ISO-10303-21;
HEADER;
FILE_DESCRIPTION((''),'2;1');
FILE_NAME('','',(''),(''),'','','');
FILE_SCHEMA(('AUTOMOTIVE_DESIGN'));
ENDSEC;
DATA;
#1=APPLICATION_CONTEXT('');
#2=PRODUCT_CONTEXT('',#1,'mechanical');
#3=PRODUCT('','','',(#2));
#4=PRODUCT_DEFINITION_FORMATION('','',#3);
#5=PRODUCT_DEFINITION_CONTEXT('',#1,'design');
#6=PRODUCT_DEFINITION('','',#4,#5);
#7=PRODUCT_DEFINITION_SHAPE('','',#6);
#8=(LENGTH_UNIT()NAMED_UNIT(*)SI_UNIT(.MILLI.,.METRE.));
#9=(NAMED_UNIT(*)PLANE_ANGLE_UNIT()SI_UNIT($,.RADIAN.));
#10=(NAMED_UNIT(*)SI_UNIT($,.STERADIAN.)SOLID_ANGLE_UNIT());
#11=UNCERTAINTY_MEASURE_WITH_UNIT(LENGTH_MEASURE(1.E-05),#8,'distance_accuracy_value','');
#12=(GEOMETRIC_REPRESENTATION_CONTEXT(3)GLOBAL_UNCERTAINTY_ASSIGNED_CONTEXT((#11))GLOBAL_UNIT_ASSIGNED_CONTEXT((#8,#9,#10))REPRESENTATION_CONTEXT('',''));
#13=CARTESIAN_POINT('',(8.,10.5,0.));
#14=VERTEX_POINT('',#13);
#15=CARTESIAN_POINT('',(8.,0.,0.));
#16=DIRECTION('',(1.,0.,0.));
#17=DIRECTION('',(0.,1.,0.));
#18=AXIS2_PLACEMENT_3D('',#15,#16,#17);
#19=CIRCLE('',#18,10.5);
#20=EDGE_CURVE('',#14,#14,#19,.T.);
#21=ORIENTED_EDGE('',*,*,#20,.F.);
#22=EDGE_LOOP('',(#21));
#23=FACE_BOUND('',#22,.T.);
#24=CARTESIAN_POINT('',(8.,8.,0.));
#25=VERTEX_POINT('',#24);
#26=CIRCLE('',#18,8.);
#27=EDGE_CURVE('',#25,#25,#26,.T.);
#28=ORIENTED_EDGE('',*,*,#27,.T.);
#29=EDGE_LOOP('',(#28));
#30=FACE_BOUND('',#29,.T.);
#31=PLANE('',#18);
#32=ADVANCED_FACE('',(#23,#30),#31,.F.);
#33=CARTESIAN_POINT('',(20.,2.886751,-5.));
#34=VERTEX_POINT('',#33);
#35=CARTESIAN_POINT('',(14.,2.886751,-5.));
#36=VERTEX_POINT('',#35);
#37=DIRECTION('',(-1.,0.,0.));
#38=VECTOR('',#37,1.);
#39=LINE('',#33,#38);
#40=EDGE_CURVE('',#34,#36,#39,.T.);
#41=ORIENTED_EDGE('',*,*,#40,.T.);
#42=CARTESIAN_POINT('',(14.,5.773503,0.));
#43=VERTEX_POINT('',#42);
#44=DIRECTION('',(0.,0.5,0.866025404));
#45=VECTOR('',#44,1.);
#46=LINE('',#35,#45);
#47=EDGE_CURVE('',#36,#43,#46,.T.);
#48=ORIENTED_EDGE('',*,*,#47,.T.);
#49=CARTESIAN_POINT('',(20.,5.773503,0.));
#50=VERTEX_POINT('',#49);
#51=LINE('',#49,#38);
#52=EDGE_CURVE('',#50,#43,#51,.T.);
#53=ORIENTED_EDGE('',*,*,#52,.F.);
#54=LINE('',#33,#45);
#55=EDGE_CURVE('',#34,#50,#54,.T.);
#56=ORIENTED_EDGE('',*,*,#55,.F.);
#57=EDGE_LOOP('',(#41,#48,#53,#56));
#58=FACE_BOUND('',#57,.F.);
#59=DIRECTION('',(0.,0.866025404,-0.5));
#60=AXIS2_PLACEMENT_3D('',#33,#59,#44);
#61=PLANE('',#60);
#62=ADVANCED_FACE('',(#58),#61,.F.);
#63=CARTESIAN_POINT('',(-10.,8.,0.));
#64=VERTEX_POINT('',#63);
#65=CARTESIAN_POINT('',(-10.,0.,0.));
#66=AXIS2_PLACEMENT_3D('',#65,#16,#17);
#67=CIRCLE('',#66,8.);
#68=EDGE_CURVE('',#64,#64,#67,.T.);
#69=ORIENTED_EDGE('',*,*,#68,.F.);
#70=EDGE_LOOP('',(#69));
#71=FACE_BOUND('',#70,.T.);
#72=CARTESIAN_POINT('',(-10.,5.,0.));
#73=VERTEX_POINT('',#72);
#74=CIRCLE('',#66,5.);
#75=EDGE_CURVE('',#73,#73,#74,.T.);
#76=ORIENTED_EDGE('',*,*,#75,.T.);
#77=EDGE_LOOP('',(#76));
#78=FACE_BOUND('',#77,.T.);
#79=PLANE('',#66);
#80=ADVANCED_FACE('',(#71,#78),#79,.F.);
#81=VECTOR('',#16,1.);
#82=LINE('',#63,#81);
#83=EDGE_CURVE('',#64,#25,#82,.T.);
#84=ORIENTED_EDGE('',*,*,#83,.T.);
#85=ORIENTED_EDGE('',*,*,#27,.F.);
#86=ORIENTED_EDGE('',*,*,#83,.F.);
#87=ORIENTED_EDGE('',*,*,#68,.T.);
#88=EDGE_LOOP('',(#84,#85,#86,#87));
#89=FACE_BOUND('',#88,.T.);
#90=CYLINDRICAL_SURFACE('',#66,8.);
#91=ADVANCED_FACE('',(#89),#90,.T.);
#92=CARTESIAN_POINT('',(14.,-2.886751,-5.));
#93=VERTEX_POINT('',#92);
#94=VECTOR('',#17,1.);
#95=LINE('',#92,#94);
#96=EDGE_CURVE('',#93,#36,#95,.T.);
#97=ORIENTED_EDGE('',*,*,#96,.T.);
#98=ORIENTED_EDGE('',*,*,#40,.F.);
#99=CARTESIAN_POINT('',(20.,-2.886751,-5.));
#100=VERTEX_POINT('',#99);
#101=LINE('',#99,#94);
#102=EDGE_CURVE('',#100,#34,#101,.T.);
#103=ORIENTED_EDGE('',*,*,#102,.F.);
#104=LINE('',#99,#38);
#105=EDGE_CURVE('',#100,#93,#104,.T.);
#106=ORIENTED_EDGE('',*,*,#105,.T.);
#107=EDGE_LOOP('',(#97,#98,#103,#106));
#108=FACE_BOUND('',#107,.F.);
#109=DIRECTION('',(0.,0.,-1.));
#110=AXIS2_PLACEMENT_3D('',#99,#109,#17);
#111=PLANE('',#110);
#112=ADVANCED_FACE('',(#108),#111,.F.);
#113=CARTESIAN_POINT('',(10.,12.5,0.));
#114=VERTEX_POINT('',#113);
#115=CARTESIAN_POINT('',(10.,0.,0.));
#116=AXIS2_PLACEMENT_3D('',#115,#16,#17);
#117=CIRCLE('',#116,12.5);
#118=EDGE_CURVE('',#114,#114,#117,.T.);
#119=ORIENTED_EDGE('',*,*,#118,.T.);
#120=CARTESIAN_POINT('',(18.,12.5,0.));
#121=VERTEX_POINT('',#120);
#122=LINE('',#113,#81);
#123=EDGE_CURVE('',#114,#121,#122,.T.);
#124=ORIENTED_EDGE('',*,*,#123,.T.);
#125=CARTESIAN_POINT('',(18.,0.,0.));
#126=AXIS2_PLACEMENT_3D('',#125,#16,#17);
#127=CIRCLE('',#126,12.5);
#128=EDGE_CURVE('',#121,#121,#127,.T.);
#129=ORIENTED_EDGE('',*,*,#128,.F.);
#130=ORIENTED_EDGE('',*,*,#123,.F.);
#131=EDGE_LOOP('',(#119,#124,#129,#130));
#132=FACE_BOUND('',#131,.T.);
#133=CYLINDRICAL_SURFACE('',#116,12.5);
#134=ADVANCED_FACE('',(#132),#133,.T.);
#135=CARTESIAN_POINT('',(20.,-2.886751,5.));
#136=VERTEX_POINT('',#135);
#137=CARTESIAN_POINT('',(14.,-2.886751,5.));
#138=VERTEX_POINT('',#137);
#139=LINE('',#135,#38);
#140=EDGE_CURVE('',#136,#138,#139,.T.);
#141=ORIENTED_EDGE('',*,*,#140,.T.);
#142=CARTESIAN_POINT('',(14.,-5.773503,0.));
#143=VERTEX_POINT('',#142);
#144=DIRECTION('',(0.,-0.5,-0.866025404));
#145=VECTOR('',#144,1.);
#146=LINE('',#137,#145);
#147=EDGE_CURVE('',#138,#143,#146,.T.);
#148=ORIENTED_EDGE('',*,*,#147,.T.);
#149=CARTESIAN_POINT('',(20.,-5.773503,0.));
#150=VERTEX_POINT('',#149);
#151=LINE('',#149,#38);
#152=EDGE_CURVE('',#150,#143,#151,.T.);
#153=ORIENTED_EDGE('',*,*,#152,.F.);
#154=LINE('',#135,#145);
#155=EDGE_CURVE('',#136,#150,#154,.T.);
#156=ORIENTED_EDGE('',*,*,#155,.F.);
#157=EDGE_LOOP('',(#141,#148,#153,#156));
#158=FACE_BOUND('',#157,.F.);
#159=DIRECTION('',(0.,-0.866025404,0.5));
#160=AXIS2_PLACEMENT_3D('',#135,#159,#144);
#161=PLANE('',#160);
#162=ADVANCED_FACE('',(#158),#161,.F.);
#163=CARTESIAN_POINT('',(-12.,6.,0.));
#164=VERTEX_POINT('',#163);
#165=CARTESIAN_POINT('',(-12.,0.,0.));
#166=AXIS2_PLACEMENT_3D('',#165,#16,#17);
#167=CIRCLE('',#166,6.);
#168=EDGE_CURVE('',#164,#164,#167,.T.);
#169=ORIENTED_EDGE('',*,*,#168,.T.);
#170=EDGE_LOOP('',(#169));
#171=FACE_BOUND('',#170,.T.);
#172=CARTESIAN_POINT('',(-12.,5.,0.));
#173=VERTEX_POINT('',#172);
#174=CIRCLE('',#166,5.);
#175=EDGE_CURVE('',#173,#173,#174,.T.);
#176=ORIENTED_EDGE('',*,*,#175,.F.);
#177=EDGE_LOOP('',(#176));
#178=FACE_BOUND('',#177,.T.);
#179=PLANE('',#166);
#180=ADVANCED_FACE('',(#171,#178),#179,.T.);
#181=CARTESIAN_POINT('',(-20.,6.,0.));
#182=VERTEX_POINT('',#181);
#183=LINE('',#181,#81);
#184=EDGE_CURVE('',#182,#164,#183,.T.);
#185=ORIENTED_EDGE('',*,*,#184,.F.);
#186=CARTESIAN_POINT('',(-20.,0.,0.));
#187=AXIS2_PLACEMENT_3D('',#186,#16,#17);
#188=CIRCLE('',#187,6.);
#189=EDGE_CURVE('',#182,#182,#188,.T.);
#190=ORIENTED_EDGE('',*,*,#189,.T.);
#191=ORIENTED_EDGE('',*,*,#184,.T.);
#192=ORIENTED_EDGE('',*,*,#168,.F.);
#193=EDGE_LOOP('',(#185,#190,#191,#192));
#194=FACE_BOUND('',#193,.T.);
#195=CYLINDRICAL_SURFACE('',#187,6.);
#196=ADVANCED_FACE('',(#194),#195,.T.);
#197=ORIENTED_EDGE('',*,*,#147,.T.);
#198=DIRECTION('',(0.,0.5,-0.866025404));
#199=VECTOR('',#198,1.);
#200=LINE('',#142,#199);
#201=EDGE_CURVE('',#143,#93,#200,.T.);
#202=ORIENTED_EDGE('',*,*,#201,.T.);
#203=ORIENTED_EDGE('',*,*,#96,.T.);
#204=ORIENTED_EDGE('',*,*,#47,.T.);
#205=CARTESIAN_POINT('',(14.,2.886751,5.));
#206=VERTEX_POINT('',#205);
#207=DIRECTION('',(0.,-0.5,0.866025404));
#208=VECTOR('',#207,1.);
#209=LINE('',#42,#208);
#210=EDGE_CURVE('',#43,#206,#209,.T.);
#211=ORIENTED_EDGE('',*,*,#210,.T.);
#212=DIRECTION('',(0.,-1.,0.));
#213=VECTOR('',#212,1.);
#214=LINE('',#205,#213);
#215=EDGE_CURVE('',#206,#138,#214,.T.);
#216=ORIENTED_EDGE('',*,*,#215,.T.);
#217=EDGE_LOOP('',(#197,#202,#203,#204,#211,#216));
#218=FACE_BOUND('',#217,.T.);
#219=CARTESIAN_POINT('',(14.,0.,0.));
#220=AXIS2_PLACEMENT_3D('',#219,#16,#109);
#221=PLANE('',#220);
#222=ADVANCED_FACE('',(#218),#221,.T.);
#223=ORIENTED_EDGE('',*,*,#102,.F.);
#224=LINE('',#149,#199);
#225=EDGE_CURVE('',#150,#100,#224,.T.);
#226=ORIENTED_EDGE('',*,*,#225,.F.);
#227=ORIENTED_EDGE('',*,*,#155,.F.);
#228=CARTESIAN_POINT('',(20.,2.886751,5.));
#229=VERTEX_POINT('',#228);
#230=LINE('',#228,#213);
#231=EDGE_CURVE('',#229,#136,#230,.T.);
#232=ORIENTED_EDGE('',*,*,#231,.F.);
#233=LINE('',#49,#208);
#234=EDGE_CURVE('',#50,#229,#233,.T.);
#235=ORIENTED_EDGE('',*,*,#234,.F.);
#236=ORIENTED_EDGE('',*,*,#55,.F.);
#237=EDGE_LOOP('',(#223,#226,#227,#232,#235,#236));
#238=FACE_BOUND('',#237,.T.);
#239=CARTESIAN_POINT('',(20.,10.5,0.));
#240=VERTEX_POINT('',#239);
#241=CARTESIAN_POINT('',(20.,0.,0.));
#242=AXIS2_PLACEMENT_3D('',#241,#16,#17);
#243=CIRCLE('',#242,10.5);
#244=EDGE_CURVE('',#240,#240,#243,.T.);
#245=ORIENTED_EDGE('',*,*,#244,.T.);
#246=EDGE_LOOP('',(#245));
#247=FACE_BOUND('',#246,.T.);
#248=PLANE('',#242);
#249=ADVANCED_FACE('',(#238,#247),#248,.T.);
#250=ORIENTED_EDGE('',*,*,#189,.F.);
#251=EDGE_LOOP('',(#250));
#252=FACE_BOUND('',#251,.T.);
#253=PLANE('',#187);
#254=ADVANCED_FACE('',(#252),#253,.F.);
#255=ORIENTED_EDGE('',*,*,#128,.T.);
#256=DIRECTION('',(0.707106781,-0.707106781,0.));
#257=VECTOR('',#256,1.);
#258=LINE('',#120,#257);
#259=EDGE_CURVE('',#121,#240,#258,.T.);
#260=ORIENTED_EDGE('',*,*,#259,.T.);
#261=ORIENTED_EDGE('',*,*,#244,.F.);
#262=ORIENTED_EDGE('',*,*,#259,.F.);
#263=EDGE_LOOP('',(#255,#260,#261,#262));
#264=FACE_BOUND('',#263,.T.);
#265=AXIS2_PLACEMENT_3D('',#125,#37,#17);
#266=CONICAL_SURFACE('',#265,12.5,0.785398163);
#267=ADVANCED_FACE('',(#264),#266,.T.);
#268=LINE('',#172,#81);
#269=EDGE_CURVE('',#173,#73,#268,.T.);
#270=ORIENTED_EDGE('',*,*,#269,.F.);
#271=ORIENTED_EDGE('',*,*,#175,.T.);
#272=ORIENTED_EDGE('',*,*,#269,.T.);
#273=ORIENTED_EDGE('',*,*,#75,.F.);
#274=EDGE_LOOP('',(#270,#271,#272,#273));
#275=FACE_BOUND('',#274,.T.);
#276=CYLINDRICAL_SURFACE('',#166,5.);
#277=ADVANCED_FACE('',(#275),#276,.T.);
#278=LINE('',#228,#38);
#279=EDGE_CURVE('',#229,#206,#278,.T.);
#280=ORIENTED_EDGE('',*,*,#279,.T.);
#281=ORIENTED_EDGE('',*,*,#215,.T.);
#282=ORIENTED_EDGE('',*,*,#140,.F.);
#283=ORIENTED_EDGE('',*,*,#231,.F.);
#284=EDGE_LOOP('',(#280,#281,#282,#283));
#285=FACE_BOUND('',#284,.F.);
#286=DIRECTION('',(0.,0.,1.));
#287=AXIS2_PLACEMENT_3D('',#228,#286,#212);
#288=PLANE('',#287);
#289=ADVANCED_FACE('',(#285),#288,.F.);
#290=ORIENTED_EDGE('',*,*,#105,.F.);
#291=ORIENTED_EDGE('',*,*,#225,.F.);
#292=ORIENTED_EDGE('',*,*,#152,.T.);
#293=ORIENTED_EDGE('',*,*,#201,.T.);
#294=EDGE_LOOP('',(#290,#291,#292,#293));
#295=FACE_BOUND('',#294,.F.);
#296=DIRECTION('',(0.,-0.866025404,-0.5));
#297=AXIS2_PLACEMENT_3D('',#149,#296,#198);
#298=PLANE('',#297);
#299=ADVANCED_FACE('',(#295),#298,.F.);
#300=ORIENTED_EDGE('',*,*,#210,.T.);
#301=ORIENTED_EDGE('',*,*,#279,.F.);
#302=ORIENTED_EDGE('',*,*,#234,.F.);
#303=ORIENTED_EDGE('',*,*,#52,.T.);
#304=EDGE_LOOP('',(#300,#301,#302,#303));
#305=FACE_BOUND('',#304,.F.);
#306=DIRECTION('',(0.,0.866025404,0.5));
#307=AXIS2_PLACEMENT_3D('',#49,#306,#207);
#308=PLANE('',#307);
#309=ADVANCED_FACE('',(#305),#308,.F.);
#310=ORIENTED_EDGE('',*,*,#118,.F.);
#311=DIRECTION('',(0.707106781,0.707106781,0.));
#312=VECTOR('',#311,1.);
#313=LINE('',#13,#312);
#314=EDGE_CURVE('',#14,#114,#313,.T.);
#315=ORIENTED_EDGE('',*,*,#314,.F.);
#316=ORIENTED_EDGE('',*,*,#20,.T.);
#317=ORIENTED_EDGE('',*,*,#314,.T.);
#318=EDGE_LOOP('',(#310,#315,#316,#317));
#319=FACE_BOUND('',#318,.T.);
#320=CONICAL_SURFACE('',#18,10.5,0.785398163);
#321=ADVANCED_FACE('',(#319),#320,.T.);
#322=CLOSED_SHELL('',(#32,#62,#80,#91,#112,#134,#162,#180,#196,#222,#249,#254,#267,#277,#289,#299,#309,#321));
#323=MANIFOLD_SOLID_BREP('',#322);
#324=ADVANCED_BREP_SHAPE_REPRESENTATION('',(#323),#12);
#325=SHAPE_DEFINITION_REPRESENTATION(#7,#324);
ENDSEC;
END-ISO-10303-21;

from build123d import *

# Parameters (mm, degrees)
CUT_EXTRUDE1_DEPTH      = 1
CUT_EXTRUDE1_DEPTH_BACK = 6


with BuildPart() as part:
    # Sketch1 → Revolve1 (revolve)
    with BuildSketch(Plane.XY):
        Polygon((-20, 0), (-20, 6), (-12, 6), (-12, 5), (-10, 5), (-10, 8), (8, 8), (8, 10.5), (10, 12.5), (18, 12.5), (20, 10.5), (20, 0), align=None)
    revolve(axis=Axis((-20, 0, 0), (1, 0, 0)))

    # Sketch2 → Cut-Extrude1 (cut, two sides)
    with BuildSketch(Plane(origin=(20, 0, 0), x_dir=(0, 0, -1), z_dir=(1, 0, 0))) as cut_extrude1_sk:
        Polygon((0, 5.773502692), (-5, 2.886751346), (-5, -2.886751346), (0, -5.773502692), (5, -2.886751346), (5, 2.886751346), align=None)
    extrude(amount=CUT_EXTRUDE1_DEPTH, mode=Mode.SUBTRACT)
    extrude(cut_extrude1_sk.sketch, amount=-CUT_EXTRUDE1_DEPTH_BACK, mode=Mode.SUBTRACT)


solid = part.part
